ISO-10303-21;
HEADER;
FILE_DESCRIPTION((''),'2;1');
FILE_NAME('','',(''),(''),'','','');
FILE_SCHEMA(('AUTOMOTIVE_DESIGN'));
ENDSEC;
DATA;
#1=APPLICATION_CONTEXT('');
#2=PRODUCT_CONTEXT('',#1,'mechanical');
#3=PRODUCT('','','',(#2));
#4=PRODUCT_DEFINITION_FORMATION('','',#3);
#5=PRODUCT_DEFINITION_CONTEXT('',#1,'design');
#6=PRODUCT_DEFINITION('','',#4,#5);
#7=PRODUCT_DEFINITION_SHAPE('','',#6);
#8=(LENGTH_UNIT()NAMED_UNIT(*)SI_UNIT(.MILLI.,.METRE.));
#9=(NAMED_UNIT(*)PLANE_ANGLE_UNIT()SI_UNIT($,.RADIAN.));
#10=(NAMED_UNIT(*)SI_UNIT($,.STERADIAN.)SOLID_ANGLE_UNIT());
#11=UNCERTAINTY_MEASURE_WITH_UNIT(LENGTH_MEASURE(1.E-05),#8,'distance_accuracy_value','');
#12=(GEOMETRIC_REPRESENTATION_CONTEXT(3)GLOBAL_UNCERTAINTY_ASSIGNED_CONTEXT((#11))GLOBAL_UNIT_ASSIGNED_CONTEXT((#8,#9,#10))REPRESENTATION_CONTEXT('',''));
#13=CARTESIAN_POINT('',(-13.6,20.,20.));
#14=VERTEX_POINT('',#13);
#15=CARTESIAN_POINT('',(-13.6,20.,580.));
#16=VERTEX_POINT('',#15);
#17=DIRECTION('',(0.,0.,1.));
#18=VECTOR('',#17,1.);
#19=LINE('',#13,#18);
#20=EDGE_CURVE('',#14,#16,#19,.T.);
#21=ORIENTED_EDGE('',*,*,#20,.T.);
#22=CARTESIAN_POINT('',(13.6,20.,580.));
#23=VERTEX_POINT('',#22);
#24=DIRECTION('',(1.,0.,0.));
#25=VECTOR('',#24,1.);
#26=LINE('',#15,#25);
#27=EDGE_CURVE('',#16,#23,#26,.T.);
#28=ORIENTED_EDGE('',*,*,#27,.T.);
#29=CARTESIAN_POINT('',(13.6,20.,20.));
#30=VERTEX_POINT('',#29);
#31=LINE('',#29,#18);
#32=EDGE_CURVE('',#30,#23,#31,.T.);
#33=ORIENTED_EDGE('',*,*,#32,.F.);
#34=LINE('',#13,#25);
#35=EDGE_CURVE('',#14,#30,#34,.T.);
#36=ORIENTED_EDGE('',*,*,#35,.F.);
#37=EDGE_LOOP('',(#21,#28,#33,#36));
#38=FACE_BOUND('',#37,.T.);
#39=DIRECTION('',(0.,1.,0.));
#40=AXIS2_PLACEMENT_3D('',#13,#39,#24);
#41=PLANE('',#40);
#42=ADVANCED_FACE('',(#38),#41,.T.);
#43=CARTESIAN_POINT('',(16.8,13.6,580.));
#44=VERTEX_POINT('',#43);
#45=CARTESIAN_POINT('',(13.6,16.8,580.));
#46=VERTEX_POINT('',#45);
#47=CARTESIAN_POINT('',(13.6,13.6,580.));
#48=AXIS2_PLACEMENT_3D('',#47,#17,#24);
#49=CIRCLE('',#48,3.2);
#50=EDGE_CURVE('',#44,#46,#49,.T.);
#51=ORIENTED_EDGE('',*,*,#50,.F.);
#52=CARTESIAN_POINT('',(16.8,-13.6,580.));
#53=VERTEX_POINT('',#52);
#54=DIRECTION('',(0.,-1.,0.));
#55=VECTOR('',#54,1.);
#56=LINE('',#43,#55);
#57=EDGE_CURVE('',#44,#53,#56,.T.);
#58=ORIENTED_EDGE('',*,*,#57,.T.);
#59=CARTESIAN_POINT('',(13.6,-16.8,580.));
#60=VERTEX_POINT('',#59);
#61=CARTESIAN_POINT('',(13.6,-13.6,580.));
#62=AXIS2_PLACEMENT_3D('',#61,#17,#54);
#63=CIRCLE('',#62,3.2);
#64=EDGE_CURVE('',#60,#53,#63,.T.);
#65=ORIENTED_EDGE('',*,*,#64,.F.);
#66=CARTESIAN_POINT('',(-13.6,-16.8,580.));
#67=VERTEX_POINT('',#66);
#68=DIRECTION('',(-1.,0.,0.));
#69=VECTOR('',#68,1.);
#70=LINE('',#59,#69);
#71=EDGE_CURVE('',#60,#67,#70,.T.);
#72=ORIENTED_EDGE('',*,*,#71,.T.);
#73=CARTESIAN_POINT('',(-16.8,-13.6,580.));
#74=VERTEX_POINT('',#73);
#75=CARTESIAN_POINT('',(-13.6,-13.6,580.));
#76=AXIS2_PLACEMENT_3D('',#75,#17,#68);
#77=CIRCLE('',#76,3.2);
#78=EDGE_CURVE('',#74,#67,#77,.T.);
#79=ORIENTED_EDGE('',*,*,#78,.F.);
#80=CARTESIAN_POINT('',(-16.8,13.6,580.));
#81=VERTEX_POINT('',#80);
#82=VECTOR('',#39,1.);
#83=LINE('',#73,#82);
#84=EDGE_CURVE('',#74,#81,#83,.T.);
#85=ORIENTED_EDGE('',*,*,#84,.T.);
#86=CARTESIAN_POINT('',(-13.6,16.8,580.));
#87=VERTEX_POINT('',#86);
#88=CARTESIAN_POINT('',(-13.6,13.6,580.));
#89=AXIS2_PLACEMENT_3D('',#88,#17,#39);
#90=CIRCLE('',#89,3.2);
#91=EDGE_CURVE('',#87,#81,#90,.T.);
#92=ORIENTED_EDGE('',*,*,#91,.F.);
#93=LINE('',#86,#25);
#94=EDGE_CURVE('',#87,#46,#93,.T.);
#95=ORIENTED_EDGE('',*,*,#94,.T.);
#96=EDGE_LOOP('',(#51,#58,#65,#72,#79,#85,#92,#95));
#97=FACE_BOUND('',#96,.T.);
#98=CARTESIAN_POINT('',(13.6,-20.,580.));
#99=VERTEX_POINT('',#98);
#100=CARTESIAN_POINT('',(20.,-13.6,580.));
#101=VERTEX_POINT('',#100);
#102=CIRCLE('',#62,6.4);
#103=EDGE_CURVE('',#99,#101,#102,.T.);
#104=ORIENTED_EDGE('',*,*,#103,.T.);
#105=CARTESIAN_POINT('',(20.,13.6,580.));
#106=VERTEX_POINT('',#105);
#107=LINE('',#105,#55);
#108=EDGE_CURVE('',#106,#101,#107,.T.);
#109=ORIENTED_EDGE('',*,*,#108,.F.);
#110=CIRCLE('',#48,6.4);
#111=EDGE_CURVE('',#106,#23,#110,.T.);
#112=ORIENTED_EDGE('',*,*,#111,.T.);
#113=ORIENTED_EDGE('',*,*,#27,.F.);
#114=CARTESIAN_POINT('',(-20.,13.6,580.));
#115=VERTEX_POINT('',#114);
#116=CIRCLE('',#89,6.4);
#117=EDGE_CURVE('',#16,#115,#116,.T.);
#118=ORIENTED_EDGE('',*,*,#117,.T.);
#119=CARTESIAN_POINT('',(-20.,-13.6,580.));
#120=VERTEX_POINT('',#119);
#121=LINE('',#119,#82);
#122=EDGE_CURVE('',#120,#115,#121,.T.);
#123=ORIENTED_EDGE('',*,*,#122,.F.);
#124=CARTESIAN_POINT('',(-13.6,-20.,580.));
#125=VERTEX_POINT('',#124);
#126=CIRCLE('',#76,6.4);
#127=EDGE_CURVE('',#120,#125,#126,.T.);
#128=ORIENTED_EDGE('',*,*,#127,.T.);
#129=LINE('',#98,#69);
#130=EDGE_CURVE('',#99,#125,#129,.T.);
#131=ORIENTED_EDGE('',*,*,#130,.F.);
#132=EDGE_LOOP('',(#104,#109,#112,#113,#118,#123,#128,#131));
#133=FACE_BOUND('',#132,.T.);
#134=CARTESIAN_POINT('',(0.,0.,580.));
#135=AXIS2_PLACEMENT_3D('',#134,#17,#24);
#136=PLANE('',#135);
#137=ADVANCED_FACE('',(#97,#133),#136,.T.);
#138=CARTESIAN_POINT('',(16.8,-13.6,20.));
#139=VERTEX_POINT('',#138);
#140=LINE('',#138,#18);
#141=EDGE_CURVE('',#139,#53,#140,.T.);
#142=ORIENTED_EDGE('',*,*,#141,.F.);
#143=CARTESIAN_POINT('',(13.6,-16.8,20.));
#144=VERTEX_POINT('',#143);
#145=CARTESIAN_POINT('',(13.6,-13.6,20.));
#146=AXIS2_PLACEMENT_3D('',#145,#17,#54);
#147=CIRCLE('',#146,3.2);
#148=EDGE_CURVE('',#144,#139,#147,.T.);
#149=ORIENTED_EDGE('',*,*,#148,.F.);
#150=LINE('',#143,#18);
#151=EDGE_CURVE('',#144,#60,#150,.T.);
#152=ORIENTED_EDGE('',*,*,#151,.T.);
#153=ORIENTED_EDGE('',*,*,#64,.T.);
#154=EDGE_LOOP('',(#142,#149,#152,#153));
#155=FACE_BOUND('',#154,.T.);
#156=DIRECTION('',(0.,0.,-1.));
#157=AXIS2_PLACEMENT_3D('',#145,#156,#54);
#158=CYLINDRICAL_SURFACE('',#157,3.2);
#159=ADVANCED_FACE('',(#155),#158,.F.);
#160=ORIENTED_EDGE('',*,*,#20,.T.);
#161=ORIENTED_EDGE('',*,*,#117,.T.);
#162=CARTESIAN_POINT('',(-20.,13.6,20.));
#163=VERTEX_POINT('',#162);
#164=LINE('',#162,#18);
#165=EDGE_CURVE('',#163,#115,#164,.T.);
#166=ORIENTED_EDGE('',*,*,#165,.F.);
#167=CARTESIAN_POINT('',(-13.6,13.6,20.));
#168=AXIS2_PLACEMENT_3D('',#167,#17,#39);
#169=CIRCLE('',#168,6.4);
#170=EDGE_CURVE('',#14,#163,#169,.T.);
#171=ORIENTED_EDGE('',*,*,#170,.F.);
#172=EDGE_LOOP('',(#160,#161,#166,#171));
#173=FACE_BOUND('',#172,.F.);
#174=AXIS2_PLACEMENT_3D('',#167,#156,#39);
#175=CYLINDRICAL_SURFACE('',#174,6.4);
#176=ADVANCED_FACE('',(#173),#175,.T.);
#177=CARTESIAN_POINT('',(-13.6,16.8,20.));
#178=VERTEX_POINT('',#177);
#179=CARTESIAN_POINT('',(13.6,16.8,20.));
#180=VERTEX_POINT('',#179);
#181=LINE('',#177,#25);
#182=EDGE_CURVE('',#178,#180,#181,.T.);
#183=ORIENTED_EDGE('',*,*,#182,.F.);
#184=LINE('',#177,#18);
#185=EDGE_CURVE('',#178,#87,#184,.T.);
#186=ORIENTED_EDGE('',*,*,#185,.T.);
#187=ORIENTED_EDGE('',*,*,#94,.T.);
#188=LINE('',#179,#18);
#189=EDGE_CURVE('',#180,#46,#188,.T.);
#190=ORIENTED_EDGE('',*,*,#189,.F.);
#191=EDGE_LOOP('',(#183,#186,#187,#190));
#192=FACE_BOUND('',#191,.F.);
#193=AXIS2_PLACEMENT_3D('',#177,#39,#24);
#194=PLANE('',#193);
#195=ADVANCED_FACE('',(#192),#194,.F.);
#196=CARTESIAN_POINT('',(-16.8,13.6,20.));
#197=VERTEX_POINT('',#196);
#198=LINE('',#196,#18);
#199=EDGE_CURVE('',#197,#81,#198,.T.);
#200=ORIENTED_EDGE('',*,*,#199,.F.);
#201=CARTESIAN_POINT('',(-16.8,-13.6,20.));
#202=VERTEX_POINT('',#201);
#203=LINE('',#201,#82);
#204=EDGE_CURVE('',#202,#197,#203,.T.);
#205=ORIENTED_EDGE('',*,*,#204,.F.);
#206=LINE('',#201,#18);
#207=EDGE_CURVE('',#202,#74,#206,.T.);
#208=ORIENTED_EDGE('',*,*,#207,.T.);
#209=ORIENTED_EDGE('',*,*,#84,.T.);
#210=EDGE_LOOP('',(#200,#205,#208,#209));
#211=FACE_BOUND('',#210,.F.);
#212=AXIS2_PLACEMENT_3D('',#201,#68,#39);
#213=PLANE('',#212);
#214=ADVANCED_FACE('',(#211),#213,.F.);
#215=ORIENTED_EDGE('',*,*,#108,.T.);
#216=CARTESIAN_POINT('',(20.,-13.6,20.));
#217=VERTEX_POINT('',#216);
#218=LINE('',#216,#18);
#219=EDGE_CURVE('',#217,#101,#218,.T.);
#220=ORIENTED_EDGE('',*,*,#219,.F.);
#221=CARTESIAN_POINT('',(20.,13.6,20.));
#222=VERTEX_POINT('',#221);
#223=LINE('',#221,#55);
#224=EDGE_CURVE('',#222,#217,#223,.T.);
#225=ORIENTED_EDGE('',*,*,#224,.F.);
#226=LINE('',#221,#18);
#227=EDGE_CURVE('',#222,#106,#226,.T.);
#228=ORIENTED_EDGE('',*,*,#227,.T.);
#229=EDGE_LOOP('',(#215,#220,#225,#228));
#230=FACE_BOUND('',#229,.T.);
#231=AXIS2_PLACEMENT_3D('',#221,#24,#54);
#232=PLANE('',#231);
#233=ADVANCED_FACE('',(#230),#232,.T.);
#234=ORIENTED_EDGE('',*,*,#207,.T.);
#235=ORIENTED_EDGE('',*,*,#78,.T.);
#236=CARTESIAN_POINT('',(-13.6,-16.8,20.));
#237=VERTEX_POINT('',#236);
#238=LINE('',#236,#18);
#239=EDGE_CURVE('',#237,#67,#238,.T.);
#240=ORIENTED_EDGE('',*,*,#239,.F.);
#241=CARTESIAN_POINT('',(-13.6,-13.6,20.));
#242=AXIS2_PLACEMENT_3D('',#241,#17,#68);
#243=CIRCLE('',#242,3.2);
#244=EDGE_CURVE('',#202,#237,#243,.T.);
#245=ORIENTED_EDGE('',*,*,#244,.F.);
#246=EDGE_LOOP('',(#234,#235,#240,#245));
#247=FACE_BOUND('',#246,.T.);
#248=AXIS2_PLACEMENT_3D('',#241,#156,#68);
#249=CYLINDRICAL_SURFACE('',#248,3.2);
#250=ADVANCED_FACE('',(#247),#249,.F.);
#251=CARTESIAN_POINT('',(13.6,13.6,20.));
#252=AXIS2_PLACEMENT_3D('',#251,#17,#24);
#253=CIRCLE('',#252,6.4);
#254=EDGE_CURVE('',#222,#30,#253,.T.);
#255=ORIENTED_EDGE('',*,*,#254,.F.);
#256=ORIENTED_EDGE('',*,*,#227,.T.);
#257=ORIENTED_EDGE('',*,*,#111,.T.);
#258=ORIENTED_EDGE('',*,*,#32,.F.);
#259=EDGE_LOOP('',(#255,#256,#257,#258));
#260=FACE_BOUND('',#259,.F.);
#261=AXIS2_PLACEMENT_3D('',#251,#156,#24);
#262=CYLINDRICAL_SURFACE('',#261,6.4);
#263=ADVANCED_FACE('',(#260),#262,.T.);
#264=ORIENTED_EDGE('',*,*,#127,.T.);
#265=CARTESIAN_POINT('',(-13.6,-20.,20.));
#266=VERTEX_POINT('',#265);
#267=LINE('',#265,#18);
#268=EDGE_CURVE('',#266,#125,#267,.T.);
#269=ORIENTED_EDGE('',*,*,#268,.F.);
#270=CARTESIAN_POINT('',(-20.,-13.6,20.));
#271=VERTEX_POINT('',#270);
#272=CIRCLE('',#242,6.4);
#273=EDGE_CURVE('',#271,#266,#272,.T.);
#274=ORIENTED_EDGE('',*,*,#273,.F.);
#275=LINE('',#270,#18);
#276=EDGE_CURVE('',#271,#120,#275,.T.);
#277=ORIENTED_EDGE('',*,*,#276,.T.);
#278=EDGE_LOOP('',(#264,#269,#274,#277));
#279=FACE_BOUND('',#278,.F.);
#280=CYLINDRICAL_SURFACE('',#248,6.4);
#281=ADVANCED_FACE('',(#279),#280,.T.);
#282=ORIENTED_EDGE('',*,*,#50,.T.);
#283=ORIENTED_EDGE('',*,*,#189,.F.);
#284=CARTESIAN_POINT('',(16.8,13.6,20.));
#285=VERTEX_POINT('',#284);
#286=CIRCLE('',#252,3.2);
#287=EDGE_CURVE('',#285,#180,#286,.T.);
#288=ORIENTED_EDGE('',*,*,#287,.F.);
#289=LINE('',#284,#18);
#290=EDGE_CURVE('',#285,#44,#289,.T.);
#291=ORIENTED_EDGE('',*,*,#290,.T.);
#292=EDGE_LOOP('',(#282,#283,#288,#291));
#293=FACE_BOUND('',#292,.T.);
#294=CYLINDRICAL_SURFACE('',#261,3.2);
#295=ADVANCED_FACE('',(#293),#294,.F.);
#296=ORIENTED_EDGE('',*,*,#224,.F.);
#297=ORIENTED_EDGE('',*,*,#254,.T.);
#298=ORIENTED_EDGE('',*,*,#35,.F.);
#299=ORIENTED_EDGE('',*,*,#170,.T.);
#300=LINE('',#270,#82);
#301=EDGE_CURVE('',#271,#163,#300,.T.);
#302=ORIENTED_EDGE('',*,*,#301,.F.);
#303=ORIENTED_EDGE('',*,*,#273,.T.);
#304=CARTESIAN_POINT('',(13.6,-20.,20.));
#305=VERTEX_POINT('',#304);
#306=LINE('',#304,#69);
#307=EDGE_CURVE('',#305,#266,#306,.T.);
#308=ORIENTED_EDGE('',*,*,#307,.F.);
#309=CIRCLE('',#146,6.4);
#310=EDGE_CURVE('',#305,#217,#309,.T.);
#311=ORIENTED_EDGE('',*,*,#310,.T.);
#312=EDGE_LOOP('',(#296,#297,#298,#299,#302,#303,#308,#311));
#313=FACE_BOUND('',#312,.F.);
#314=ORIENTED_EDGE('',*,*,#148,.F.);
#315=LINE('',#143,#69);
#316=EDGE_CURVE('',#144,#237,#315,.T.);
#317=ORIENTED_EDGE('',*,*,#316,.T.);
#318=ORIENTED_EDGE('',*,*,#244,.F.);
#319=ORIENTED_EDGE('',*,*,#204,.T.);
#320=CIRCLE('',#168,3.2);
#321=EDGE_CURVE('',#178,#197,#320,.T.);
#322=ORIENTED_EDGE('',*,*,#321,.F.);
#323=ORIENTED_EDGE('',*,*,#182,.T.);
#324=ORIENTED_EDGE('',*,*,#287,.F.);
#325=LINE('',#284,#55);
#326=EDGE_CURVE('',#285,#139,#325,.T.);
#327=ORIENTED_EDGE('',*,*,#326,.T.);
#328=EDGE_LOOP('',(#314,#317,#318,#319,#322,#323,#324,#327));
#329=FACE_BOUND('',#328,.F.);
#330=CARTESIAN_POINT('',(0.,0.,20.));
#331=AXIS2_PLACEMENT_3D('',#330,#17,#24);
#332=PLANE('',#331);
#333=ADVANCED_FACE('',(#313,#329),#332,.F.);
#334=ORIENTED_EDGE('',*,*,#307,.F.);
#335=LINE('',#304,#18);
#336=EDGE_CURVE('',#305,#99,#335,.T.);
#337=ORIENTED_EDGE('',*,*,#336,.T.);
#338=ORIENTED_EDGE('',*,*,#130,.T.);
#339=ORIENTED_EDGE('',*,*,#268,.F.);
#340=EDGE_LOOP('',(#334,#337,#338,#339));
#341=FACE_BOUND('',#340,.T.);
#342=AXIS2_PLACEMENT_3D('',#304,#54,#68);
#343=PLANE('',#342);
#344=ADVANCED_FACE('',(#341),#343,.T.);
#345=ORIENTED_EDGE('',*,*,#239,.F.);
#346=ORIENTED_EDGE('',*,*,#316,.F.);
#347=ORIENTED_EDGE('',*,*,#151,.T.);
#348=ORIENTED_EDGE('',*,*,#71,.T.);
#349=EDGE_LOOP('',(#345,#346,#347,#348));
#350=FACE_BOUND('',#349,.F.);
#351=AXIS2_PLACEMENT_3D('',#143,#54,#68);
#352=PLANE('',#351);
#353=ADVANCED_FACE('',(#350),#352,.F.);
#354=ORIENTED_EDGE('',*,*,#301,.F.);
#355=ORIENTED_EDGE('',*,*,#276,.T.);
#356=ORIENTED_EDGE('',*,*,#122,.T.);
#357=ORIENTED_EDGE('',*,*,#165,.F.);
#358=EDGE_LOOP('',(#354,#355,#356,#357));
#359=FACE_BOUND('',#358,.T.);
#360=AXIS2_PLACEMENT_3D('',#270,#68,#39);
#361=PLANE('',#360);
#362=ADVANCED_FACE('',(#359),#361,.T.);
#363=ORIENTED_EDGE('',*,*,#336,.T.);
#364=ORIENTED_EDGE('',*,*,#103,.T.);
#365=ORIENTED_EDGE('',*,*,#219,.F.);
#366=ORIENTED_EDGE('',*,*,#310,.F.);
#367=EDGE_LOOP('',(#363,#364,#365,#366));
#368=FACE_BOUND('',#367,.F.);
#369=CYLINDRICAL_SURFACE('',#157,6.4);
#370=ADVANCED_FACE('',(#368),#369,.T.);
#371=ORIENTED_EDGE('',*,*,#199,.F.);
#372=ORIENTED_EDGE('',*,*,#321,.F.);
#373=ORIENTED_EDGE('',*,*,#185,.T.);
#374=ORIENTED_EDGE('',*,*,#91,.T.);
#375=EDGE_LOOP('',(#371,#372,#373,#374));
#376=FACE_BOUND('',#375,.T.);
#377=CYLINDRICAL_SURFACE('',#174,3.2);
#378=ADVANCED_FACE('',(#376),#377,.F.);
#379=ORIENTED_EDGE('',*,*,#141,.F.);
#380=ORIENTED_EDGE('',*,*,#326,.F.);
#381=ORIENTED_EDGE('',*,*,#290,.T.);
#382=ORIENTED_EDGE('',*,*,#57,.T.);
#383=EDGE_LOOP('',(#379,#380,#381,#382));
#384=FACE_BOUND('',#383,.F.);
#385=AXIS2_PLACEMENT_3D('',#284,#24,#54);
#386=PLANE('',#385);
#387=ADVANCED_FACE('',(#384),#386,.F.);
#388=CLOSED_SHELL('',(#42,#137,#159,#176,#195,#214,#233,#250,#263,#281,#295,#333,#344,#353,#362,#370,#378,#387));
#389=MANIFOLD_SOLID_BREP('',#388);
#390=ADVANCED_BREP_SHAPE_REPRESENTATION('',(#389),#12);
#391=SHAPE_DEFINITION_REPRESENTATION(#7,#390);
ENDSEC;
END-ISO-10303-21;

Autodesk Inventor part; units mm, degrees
ref_plane "Start plane" through (0, 0, 20) normal (0, 0, 1) x (1, 0, 0)
ref_plane "End plane" through (0, 0, 580) normal (0, 0, 1) x (1, 0, 0)
sketch "Sketch" plane through (0, 0, 0) normal (0, 0, 1) x (1, 0, 0)
  line L0 (-20, -13.6) -> (-20, 13.6)
  line L1 (-13.6, 20) -> (13.6, 20)
  line L2 (20, 13.6) -> (20, -13.6)
  line L3 (13.6, -20) -> (-13.6, -20)
  arc A0 (-20, -13.6) -> (-13.6, -20) centre (-13.6, -13.6) ccw
  arc A1 (-13.6, 20) -> (-20, 13.6) centre (-13.6, 13.6) ccw
  arc A2 (20, 13.6) -> (13.6, 20) centre (13.6, 13.6) ccw
  arc A3 (13.6, -20) -> (20, -13.6) centre (13.6, -13.6) ccw
  arc A4 (-13.6, 16.8) -> (-16.8, 13.6) centre (-13.6, 13.6) ccw
  line L4 (-13.6, 16.8) -> (13.6, 16.8)
  arc A5 (16.8, 13.6) -> (13.6, 16.8) centre (13.6, 13.6) ccw
  line L5 (16.8, 13.6) -> (16.8, -13.6)
  arc A6 (13.6, -16.8) -> (16.8, -13.6) centre (13.6, -13.6) ccw
  line L6 (13.6, -16.8) -> (-13.6, -16.8)
  arc A7 (-16.8, -13.6) -> (-13.6, -16.8) centre (-13.6, -13.6) ccw
  line L7 (-16.8, -13.6) -> (-16.8, 13.6)
  line L8 (0, 29.8557) -> (0, -29.8557) construction
  line L9 (-29.8557, 0) -> (29.8557, 0) construction
  dimension "d7" = 6.4
  dimension "d10" = 40
  dimension "d11" = 40
  dimension "d12" = 3.2
  dimension "d15" = 20
  dimension "d16" = 20
extrude "Body" add sketch "Sketch" along normal up to surface (560 mm away) from surface at 20
sketch "Sketch3" plane through (0, 0, 0) normal (0, 0, 1) x (1, 0, 0)
  line L0 (0, 0) -> (10, 0)
ref_plane "Work Plane3" through (0, 0, 0) normal (0, -1, 0) x (1, 0, 0)
sketch "Sketch4" plane through (0, 0, 0) normal (0, -1, 0) x (1, 0, 0)
  line L0 (-2, 20) -> (12, 20)
  line L1 (-2, 580) -> (12, 580)
  dimension "d18" = 560
ref_plane "Work Plane4" through (-850, -13.6, 20) normal (0, 0, -1) x (-1, 0, 0)
split "Split1" plane through (-850, -13.6, 20) removes the side toward (0, 0, -1)
ref_plane "Work Plane5" through (550, -13.6, 580) normal (0, 0, 1) x (1, 0, 0)
split "Split2" plane through (550, -13.6, 580) removes the side toward (0, 0, 1)
equation "\"d7\" = G_IR"
equation "\"d10\" = G_H"
equation "\"d11\" = G_W"
equation "\"d12\" = G_T"
equation "\"d15\" = 0.5 * d10"
equation "\"d16\" = 0.5 * d11"
equation "\"d3\" = G_L"
equation "\"G_W\" = 40"
equation "\"G_H\" = 40"
equation "\"G_T\" = 3.2"
equation "\"G_IR\" = 6.4"
equation "\"G_L\" = d18"
properties part number "BSI 40 x 40 x 3.2 00000004" material "Steel, Mild"
